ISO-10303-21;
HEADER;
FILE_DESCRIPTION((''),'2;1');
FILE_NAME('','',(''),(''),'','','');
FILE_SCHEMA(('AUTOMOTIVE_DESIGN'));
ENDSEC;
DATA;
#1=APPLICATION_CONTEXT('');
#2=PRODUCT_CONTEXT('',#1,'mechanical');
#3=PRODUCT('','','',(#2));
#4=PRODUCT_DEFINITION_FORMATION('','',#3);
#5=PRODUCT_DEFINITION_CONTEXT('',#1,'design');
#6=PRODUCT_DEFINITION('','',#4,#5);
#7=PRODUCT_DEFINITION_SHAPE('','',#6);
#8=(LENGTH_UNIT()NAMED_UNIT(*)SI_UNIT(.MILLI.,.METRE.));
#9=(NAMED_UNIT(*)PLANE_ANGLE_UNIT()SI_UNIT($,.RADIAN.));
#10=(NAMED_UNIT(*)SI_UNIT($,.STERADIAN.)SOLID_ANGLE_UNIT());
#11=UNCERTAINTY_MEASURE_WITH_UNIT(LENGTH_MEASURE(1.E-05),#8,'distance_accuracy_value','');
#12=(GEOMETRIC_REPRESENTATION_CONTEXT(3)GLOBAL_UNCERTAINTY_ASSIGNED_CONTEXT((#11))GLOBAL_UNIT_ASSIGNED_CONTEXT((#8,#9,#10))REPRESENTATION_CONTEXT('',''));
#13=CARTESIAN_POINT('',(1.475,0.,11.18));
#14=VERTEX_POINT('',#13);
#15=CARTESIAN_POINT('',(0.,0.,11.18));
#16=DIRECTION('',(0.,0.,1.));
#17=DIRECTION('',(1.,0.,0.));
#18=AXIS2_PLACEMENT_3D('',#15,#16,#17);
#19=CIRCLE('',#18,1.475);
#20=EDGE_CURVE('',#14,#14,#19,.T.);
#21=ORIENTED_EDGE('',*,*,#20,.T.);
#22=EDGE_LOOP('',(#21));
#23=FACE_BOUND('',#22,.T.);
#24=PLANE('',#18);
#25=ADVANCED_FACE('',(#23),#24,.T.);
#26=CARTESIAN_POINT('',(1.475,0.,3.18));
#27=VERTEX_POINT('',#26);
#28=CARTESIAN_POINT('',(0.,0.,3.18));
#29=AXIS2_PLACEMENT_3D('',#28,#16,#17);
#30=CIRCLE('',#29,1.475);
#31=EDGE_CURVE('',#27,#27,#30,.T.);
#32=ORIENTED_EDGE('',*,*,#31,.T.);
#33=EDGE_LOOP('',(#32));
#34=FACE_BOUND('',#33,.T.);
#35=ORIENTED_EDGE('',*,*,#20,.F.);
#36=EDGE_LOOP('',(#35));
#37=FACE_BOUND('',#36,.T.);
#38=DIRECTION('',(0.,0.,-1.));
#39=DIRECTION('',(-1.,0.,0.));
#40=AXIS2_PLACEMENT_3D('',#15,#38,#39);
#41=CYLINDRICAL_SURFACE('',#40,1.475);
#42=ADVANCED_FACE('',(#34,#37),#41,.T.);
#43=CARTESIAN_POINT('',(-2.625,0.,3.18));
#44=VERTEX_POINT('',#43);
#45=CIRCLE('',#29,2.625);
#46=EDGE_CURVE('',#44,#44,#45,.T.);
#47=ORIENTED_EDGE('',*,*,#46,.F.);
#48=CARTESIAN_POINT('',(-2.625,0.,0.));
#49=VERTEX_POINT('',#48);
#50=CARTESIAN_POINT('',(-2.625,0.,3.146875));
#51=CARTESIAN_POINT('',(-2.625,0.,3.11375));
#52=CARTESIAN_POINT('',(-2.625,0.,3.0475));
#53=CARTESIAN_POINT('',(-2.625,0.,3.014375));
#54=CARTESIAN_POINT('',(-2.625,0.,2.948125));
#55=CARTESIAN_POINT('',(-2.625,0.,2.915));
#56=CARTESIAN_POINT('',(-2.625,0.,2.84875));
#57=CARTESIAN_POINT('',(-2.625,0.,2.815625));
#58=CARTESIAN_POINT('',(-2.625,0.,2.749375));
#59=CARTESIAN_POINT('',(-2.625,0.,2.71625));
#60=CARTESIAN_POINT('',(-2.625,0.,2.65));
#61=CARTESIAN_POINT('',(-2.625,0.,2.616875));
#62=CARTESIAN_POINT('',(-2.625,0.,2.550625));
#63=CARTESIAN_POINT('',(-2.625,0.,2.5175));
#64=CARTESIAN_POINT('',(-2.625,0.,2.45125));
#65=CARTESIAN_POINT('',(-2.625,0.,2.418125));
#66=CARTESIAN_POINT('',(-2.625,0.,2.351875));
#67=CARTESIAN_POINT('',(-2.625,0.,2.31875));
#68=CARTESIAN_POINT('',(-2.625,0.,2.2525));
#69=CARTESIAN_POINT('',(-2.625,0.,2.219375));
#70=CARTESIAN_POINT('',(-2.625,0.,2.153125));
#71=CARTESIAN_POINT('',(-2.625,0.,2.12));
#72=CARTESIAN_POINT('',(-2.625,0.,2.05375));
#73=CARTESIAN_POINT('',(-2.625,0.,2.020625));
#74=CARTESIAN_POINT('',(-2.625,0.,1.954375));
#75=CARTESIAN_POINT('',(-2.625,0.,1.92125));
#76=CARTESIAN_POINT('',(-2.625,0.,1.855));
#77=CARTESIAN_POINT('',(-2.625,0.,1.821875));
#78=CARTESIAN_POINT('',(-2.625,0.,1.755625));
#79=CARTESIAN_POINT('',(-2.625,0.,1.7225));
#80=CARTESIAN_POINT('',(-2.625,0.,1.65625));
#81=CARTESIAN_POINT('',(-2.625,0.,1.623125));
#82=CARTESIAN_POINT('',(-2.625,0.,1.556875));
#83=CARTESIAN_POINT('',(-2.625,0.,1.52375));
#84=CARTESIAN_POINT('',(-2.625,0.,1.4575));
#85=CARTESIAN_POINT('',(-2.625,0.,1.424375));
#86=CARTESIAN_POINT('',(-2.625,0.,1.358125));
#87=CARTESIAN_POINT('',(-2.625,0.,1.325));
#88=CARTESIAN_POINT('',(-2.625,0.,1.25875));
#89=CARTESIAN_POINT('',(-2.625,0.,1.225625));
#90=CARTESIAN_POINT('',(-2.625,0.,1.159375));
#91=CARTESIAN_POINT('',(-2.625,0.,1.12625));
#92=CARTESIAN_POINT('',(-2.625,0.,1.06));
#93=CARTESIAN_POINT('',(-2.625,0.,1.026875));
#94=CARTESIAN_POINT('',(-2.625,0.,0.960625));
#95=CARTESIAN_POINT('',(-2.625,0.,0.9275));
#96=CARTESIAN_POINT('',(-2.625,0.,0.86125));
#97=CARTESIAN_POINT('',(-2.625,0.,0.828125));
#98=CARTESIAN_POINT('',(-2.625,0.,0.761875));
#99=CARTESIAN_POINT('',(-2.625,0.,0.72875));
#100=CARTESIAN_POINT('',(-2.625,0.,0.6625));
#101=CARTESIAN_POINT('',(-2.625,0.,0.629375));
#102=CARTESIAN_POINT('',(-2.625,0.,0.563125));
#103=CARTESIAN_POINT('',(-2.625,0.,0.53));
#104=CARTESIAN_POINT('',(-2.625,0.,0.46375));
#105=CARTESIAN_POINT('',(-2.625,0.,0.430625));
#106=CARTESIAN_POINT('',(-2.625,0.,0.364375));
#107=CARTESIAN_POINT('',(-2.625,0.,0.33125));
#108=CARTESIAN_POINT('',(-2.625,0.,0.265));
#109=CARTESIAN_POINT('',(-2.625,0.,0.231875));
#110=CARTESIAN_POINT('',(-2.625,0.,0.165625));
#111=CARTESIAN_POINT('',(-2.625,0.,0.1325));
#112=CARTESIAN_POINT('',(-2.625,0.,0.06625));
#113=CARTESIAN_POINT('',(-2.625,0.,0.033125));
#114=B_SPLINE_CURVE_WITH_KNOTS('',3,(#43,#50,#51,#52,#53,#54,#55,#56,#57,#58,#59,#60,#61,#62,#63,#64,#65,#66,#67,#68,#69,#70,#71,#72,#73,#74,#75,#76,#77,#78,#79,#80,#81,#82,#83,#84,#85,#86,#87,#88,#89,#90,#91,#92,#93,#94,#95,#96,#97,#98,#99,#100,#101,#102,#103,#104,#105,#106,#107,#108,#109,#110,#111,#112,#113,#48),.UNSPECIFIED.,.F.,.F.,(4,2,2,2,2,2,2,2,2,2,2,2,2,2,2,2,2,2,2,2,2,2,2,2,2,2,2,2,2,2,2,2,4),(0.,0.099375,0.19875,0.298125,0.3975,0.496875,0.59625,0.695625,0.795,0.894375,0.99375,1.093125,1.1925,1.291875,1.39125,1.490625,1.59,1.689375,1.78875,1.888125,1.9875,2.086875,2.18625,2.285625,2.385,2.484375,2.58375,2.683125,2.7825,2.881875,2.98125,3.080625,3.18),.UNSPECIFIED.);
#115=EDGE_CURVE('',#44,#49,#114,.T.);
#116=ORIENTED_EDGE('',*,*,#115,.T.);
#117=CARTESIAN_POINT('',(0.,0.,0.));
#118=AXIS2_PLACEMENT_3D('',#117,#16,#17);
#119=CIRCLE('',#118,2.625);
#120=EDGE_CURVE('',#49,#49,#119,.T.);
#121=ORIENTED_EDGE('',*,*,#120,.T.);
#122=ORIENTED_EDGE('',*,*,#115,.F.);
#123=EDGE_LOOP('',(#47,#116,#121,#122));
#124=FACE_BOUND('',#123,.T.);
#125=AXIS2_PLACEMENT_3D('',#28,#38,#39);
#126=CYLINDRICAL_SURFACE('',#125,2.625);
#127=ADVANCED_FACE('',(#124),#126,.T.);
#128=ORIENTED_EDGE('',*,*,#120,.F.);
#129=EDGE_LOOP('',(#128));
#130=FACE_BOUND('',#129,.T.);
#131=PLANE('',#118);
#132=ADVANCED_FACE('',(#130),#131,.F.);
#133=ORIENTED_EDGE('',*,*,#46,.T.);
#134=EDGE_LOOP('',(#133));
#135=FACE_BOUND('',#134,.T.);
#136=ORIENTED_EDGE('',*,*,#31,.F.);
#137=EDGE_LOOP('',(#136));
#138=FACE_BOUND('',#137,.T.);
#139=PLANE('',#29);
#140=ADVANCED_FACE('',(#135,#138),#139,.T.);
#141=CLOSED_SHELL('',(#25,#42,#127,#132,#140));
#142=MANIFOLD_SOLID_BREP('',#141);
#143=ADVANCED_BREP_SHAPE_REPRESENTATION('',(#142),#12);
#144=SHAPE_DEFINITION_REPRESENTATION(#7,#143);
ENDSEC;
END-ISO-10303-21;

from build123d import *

# Parameters (mm, degrees)
SKETCH1_R           = 2.625
BOSS_EXTRUDE1_DEPTH = 3.18
SKETCH2_R           = 1.475
BOSS_EXTRUDE2_DEPTH = 8


with BuildPart() as part:
    # Sketch1 → Boss-Extrude1 (new body)
    with BuildSketch(Plane.XY):
        with Locations(Location((0, 0, 0), (0, 0, 180))):
            Circle(SKETCH1_R)
    extrude(amount=BOSS_EXTRUDE1_DEPTH)

    # Sketch2 → Boss-Extrude2 (add)
    with BuildSketch(Plane.XY.offset(3.18)):
        Circle(SKETCH2_R)
    extrude(amount=BOSS_EXTRUDE2_DEPTH)


solid = part.part
